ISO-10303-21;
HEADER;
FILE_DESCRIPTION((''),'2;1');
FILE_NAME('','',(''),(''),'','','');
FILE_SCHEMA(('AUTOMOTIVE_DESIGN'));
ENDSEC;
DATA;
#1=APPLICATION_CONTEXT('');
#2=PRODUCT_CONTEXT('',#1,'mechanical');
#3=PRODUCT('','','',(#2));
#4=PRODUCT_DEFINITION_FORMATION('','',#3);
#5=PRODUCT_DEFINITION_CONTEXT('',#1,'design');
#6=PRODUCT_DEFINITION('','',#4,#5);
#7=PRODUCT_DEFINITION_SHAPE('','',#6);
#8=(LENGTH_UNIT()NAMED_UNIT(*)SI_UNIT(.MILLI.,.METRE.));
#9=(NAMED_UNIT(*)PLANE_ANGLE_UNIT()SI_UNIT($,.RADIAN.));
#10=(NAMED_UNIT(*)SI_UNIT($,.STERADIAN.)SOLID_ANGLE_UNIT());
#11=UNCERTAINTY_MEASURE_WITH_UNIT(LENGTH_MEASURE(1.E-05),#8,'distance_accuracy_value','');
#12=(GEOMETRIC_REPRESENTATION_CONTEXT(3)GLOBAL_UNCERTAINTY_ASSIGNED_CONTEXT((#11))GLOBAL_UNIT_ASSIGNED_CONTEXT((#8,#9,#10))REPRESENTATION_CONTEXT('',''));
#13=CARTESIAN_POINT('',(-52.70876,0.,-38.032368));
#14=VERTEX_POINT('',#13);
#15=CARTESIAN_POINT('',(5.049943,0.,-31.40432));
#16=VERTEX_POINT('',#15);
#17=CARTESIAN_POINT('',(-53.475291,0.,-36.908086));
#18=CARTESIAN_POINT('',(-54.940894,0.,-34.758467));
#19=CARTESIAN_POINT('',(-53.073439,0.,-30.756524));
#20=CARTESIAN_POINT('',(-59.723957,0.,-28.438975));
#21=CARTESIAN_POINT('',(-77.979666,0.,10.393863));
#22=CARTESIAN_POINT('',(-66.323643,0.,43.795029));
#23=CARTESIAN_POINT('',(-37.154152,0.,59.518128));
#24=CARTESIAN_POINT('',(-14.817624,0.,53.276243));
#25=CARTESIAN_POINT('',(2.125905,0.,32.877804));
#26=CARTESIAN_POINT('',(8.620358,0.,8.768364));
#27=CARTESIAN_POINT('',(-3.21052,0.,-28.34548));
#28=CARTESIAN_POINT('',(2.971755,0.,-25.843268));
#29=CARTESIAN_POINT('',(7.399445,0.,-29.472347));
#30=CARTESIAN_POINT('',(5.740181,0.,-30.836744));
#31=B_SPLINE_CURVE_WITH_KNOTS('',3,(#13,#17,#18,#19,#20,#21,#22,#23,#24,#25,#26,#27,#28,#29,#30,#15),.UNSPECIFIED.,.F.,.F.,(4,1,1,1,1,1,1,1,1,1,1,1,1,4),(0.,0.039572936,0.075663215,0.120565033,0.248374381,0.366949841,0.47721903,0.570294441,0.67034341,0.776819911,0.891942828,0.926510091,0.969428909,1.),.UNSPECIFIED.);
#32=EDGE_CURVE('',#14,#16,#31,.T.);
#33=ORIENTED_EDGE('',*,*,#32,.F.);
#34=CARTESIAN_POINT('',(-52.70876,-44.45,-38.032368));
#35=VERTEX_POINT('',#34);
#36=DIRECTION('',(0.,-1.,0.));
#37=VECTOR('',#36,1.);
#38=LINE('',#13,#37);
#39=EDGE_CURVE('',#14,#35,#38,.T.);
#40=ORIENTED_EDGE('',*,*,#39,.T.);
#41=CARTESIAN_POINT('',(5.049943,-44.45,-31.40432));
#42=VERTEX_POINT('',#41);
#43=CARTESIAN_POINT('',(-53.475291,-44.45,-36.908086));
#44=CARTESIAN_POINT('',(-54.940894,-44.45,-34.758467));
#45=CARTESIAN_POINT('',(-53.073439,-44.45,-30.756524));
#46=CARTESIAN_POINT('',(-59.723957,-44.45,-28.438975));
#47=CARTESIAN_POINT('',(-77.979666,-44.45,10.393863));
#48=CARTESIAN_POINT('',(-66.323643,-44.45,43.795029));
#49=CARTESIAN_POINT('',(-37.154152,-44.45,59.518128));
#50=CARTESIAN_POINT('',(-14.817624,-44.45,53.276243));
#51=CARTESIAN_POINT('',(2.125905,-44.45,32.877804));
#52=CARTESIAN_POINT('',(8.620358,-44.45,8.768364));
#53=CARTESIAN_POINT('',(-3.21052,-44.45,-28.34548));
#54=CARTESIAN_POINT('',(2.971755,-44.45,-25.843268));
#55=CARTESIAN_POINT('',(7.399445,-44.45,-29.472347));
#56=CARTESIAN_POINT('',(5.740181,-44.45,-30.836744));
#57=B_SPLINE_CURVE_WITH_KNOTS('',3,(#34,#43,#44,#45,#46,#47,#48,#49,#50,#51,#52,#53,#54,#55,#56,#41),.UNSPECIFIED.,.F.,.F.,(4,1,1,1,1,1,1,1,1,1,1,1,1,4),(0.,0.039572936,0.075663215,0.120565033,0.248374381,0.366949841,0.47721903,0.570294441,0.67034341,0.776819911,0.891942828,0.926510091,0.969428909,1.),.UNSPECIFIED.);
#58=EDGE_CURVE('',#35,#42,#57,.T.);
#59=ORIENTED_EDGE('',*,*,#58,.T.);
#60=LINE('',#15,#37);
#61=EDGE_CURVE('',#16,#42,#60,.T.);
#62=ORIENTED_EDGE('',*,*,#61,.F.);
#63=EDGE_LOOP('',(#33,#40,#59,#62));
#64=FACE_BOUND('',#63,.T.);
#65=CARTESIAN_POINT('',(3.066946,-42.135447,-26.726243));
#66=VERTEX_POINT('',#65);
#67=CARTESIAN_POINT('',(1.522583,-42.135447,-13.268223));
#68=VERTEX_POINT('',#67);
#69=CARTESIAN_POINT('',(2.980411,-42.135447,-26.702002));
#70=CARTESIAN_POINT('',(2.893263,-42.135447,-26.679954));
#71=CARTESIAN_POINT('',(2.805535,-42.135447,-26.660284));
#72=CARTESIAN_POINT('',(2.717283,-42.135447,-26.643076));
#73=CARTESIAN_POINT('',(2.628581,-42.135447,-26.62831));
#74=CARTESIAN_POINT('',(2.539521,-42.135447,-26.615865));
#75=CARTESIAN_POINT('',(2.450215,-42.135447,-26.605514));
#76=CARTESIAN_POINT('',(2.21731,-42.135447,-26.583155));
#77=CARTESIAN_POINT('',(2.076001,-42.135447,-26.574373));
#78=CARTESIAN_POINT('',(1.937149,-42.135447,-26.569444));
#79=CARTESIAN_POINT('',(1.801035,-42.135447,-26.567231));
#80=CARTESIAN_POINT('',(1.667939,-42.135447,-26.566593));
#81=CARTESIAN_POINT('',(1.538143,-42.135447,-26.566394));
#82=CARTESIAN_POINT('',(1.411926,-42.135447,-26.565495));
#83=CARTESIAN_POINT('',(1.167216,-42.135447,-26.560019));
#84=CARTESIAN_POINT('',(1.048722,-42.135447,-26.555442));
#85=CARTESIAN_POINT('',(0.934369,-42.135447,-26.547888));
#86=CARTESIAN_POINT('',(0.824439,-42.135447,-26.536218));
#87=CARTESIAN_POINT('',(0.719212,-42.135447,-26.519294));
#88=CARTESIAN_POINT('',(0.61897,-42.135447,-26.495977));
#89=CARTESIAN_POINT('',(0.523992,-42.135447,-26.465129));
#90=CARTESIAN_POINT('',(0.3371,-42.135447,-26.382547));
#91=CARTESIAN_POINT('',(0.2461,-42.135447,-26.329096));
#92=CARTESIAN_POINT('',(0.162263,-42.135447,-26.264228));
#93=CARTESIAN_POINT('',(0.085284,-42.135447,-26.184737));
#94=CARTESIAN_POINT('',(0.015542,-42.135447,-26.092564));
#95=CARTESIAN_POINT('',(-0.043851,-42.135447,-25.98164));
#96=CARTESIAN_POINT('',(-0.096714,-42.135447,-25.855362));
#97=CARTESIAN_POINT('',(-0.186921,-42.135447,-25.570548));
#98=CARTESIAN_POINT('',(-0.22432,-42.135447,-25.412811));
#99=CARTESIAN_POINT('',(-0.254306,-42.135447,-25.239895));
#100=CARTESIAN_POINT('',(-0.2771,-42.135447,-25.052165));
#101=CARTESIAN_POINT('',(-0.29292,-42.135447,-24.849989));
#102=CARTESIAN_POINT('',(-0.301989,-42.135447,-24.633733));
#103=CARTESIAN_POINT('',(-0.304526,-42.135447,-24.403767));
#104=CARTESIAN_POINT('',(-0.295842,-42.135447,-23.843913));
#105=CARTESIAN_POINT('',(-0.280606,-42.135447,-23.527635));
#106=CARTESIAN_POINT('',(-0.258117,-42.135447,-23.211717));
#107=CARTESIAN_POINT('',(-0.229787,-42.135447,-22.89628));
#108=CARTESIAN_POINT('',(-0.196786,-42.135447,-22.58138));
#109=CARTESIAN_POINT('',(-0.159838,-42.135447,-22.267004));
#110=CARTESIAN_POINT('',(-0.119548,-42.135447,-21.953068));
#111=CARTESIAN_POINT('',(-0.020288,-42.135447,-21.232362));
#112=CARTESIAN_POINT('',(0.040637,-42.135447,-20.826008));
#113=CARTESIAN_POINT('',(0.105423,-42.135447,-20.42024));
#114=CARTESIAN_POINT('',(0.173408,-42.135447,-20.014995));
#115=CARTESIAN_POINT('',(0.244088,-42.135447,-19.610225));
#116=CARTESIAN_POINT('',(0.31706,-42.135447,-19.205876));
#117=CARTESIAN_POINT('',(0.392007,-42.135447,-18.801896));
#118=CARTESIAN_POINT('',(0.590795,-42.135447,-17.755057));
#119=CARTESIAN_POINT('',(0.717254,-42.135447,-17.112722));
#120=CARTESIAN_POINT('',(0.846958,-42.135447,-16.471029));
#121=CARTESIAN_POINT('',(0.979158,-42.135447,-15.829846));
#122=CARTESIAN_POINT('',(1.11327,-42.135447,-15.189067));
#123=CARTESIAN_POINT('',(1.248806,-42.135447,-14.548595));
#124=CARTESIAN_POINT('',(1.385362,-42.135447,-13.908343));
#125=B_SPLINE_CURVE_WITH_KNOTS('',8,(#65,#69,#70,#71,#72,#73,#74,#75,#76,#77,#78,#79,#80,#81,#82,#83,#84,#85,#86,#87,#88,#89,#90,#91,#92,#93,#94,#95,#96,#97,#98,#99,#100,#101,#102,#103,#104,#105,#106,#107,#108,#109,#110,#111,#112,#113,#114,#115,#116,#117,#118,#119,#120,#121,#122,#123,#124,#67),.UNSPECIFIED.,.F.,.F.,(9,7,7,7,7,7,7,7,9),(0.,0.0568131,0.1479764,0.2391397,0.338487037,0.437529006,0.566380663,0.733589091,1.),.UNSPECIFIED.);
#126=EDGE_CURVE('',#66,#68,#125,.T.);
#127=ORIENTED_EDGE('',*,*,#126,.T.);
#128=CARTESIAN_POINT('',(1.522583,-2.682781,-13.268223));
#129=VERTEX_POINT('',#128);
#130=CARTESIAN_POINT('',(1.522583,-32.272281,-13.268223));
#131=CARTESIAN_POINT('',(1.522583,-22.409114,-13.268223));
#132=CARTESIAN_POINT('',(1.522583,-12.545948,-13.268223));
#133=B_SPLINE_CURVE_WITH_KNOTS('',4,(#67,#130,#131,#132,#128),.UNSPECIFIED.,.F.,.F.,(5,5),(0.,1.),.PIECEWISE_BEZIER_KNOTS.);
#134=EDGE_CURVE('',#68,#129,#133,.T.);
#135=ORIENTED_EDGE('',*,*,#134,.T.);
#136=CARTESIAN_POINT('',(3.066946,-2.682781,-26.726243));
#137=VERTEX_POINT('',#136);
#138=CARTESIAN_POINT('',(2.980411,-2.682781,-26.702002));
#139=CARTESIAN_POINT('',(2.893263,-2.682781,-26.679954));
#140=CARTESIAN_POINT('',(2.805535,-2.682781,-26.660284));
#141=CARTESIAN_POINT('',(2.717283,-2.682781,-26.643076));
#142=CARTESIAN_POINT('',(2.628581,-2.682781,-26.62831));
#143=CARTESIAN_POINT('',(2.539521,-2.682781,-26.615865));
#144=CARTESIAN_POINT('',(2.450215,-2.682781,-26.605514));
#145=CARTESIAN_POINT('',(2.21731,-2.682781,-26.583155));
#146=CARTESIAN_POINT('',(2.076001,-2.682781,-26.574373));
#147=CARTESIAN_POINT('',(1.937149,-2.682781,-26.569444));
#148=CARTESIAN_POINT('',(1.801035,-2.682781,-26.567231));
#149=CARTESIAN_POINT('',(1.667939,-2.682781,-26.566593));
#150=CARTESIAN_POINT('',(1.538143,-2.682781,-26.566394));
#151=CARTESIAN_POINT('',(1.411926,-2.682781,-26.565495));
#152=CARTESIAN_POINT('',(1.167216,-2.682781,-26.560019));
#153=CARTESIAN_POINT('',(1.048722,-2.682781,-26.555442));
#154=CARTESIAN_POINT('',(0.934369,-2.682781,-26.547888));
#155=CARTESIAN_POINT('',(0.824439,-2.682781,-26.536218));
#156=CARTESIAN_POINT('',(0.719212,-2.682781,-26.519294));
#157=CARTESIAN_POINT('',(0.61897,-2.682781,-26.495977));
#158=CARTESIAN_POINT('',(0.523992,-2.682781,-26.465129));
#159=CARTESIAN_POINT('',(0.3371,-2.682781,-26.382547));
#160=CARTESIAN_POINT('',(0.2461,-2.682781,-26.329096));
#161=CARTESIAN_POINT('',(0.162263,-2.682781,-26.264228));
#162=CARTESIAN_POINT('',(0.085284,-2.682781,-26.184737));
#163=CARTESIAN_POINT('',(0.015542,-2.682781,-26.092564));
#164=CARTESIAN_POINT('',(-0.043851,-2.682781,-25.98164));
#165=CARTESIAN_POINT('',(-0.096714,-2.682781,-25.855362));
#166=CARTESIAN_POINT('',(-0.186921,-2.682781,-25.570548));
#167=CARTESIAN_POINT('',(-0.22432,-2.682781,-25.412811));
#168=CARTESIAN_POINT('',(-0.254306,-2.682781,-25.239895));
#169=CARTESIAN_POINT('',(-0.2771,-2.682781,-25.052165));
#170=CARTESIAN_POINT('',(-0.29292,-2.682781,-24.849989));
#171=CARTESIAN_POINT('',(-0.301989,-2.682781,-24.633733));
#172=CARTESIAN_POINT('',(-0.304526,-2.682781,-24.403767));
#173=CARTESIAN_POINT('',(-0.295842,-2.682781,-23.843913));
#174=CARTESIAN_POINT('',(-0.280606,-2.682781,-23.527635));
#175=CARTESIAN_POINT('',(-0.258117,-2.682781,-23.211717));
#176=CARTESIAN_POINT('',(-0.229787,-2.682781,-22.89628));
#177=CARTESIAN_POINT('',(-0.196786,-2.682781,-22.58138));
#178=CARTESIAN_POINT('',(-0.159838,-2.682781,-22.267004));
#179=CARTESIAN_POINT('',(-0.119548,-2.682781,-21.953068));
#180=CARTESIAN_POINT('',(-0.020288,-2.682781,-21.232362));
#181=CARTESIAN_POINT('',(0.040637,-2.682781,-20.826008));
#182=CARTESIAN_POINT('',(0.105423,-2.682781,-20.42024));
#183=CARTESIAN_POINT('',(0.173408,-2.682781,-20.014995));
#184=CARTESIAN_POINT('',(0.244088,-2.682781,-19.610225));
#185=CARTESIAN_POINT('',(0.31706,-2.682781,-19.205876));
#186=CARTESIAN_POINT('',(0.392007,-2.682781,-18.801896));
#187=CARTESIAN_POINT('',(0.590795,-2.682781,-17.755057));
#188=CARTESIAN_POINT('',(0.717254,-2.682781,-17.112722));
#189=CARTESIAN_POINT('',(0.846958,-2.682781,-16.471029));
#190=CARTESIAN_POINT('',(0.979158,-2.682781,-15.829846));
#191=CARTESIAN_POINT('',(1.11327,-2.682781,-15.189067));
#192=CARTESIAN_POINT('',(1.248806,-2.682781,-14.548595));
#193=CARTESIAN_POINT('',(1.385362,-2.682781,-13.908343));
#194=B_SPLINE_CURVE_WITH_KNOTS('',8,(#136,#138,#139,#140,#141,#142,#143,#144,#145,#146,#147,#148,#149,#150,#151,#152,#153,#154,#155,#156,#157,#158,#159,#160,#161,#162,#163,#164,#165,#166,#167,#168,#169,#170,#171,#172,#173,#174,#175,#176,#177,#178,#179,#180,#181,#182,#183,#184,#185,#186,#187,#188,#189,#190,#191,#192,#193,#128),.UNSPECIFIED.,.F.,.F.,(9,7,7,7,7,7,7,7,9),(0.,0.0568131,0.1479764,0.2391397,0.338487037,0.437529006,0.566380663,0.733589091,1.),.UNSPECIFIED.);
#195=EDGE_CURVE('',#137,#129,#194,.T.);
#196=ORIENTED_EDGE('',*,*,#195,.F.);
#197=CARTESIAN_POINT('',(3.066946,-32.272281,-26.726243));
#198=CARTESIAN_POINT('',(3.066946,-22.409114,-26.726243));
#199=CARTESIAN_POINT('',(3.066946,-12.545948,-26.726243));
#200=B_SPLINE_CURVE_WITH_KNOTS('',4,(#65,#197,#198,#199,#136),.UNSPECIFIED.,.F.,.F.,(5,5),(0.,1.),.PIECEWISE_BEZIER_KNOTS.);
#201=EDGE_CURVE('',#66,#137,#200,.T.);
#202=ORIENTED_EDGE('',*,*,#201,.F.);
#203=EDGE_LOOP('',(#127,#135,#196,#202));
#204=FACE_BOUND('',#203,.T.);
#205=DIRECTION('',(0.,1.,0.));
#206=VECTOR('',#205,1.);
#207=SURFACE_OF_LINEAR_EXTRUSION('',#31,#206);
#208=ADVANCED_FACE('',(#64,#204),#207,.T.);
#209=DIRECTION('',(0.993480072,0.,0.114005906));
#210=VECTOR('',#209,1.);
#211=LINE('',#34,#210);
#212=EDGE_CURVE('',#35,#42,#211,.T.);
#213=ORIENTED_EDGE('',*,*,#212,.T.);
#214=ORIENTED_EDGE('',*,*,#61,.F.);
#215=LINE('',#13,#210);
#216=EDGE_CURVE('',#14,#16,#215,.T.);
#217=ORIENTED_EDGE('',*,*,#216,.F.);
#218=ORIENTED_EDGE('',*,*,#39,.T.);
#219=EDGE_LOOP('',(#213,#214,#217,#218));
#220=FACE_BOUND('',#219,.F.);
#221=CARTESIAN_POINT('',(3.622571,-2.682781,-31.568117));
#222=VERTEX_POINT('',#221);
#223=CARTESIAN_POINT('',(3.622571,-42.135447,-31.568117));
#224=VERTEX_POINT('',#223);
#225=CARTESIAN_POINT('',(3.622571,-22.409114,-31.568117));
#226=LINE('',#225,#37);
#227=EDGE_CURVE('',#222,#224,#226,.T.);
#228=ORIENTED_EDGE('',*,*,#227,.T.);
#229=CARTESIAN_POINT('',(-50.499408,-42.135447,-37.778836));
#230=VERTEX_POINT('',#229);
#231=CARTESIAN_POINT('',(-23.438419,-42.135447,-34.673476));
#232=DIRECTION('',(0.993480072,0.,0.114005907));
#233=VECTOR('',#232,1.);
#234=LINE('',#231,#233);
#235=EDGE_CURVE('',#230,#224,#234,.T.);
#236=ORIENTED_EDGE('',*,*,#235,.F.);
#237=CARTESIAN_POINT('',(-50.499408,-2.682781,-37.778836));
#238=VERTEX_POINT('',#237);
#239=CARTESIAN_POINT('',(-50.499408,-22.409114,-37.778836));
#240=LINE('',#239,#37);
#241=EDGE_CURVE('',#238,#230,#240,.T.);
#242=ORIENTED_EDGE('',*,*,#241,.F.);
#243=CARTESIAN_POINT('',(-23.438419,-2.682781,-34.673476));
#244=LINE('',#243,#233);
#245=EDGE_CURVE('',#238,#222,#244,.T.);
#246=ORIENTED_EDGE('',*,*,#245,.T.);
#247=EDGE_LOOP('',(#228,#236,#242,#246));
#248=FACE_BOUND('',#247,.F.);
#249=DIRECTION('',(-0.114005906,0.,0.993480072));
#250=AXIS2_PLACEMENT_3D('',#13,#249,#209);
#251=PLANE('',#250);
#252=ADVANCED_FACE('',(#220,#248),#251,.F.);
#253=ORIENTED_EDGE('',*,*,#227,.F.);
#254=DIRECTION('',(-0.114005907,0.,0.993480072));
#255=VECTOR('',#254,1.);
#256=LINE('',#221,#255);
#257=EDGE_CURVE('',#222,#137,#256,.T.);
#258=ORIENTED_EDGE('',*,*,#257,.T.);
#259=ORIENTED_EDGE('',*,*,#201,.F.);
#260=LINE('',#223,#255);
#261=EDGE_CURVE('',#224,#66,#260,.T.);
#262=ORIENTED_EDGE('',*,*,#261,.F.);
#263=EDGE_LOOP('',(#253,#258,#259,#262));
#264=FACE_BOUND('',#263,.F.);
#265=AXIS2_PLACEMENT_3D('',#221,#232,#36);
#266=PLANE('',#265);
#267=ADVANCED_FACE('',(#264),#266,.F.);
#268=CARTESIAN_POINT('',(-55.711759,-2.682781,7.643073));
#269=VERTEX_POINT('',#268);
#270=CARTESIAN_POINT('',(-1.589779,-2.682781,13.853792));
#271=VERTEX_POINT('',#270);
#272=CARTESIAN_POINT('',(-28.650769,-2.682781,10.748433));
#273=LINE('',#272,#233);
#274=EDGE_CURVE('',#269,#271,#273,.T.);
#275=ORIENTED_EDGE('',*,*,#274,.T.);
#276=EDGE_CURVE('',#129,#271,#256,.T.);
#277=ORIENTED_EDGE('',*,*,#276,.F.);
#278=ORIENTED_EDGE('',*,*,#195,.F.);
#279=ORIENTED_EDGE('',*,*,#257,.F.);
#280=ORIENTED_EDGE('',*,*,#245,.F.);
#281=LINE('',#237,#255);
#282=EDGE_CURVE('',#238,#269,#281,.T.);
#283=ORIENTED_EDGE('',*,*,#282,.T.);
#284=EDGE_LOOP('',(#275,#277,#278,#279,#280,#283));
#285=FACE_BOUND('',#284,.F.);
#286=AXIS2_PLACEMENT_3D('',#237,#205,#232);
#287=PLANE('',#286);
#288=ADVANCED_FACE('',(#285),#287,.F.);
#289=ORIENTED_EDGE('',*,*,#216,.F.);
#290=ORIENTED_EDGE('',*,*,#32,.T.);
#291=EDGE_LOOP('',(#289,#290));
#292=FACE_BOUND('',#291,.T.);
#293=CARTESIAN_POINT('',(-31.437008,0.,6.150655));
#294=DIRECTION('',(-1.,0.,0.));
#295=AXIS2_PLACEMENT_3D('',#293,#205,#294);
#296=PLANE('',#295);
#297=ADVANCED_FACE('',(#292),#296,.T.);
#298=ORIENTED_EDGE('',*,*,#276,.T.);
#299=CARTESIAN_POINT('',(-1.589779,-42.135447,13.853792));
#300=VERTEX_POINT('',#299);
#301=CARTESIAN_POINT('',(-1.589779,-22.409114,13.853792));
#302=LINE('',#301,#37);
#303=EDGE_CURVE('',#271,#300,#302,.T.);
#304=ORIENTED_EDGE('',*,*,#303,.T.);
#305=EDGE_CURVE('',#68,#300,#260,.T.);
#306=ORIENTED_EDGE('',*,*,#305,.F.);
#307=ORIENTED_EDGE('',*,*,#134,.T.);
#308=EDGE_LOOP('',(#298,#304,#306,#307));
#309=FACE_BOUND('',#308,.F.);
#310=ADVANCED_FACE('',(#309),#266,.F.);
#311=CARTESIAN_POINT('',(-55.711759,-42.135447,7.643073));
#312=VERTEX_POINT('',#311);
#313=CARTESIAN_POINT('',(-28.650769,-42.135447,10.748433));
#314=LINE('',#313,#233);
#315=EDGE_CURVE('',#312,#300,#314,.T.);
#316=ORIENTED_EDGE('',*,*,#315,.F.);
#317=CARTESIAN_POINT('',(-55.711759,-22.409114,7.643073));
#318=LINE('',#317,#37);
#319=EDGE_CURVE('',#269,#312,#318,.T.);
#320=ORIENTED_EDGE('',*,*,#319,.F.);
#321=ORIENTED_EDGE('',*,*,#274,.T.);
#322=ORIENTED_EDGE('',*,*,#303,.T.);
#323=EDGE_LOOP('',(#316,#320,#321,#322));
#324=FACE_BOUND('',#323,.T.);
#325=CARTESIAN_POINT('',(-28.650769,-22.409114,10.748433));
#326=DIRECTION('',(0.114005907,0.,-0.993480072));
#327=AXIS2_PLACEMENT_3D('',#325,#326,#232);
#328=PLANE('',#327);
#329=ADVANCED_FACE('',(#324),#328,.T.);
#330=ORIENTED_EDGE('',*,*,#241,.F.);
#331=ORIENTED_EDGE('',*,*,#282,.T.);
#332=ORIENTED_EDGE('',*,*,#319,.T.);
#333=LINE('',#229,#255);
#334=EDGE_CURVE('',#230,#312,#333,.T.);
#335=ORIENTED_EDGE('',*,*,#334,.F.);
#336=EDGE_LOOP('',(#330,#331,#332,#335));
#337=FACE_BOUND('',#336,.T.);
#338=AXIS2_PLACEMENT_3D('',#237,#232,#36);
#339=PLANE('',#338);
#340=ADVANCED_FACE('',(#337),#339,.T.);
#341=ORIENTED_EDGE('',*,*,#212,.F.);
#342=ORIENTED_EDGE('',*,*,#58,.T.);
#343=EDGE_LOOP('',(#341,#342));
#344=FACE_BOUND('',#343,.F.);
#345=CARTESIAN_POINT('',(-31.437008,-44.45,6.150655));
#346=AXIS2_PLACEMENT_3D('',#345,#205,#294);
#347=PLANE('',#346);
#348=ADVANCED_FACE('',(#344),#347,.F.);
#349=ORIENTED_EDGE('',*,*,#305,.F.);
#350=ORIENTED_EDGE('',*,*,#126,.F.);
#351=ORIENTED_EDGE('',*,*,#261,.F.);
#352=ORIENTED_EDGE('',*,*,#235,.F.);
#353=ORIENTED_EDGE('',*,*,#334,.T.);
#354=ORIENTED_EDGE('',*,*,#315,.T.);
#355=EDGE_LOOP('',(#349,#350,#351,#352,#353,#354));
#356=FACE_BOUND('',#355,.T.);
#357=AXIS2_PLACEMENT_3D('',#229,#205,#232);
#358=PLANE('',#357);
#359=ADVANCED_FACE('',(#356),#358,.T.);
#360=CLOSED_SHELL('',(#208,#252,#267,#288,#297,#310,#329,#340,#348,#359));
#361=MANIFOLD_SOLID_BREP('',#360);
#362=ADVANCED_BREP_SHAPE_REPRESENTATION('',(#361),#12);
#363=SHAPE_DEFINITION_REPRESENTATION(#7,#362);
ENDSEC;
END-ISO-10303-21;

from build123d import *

# Parameters (mm, degrees)
F1_DEPTH = 44.45
F2_W     = 54.4771663845
F2_H     = 39.4526661839
F3_DEPTH = 45.72


with BuildPart() as f1:
    # F0 (on Front) → F1 (new body)
    with BuildSketch(Plane.XZ):
        with BuildLine():
            add(Edge.make_bspline(
                [(-52.7087599039, -38.0323678255), (-53.4752910881, -36.9080863585), (-54.9408940849, -34.7584669807), (-53.0734386576, -30.7565238112), (-59.7239567876, -28.4389746589), (-77.9796661217, 10.3938634714), (-66.3236427362, 43.7950287067), (-37.1541518644, 59.5181280735), (-14.8176244129, 53.2762426394), (2.1259045366, 32.8778039875), (8.6203578848, 8.7683637332), (-3.2105195347, -28.3454801296), (2.9717548511, -25.8432675306), (7.3994447779, -29.4723473901), (5.7401807569, -30.836744264), (5.0499429926, -31.4043201506)],
                knots=[0, 0, 0, 0, 0.0395729359, 0.0756632145, 0.1205650329, 0.2483743806, 0.3669498406, 0.4772190299, 0.5702944414, 0.6703434103, 0.7768199108, 0.8919428278, 0.9265100907, 0.9694289094, 1, 1, 1, 1], degree=3))
            Line((-52.7087599039, -38.0323678255), (5.0499429926, -31.4043201506))
        make_face()
    extrude(amount=F1_DEPTH)

    # F2 (on face) → F3 (cut)
    with BuildSketch(Plane(origin=(3.622570691, 0, -31.5681169672), x_dir=(0.9934800719, 0, 0.1140059065), z_dir=(0.1140059065, 0, -0.9934800719))):
        with Locations((-27.2385831922, 22.4091141718)):
            Rectangle(F2_W, F2_H)
    extrude(amount=-F3_DEPTH, mode=Mode.SUBTRACT)


solid = f1.part
